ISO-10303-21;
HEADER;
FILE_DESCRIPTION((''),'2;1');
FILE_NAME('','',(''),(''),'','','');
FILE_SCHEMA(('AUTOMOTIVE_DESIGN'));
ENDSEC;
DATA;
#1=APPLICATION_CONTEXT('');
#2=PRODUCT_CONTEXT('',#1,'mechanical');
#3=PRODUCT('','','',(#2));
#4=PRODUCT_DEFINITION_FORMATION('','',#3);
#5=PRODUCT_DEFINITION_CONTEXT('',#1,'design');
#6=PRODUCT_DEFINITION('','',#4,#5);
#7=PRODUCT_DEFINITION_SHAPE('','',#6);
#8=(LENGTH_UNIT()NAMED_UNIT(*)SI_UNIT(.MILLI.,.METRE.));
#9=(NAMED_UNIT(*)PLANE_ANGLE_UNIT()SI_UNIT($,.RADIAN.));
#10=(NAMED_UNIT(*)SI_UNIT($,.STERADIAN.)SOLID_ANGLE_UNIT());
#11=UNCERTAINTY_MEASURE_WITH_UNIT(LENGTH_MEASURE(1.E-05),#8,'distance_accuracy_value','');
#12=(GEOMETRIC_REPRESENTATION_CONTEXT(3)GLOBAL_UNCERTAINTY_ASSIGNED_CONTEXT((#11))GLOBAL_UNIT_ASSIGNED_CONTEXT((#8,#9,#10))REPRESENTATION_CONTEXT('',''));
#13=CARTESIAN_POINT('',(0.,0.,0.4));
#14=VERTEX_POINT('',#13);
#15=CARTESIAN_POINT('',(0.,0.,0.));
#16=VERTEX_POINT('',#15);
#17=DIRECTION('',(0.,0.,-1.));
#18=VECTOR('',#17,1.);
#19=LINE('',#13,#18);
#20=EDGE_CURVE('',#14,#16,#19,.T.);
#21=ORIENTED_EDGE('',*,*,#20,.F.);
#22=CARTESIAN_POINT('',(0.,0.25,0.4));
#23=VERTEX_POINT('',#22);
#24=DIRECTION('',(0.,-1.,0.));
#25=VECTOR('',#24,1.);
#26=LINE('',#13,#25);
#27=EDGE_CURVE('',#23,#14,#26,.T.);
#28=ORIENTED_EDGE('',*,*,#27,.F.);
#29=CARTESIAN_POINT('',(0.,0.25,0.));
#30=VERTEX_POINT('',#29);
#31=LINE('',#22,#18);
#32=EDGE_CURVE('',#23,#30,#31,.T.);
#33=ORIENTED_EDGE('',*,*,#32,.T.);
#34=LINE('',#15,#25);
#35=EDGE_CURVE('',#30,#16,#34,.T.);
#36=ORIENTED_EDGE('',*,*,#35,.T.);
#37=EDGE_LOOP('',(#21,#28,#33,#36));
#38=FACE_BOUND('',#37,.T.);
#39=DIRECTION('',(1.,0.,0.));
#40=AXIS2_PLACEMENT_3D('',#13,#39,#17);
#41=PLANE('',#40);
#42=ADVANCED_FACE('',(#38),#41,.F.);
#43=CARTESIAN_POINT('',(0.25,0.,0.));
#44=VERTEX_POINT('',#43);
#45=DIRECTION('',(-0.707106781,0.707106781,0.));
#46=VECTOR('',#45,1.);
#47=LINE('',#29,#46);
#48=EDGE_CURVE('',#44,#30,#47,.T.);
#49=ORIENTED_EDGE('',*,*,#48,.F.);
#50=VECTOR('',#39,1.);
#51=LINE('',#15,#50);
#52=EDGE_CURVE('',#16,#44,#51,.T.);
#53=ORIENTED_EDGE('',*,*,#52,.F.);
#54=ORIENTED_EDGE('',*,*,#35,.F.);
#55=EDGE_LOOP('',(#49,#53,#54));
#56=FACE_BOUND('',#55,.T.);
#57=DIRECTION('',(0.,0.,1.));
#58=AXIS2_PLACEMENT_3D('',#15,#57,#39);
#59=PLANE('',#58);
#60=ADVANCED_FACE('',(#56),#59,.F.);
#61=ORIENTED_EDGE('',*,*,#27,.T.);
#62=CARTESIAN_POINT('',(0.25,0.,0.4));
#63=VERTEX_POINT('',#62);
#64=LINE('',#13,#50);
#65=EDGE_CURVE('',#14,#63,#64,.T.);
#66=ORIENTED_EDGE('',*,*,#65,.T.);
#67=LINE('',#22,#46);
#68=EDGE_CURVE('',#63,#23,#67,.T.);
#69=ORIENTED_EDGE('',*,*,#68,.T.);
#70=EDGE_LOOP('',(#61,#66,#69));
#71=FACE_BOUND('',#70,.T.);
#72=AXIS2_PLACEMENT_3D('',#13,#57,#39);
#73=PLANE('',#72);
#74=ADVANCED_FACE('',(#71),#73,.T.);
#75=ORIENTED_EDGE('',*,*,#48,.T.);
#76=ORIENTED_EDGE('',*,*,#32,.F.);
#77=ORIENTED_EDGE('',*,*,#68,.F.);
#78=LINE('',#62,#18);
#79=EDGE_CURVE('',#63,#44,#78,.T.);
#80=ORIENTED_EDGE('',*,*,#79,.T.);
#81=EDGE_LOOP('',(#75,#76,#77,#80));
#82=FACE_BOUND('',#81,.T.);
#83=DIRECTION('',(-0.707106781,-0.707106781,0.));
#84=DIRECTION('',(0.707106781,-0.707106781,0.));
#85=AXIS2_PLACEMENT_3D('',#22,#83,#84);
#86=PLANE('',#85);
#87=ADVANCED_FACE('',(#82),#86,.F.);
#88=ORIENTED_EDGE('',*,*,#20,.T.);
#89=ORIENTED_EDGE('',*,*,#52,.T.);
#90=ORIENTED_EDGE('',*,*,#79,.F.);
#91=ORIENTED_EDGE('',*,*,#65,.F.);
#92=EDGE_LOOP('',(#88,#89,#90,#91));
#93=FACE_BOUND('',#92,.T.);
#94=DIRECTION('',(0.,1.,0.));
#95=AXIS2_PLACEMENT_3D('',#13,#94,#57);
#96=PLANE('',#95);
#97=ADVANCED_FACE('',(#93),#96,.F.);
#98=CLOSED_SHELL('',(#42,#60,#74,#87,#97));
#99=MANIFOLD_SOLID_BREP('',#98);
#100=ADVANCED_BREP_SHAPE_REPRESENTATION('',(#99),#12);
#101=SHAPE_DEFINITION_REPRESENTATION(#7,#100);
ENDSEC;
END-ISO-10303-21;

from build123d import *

# Parameters (mm, degrees)
BOSS_EXTRUDE1_DEPTH = 0.4


with BuildPart() as part:
    # Sketch1 → Boss-Extrude1 (new body)
    with BuildSketch(Plane.XY):
        Polygon((0, 0), (0, 0.25), (0.25, 0), align=None)
    extrude(amount=BOSS_EXTRUDE1_DEPTH)


solid = part.part
